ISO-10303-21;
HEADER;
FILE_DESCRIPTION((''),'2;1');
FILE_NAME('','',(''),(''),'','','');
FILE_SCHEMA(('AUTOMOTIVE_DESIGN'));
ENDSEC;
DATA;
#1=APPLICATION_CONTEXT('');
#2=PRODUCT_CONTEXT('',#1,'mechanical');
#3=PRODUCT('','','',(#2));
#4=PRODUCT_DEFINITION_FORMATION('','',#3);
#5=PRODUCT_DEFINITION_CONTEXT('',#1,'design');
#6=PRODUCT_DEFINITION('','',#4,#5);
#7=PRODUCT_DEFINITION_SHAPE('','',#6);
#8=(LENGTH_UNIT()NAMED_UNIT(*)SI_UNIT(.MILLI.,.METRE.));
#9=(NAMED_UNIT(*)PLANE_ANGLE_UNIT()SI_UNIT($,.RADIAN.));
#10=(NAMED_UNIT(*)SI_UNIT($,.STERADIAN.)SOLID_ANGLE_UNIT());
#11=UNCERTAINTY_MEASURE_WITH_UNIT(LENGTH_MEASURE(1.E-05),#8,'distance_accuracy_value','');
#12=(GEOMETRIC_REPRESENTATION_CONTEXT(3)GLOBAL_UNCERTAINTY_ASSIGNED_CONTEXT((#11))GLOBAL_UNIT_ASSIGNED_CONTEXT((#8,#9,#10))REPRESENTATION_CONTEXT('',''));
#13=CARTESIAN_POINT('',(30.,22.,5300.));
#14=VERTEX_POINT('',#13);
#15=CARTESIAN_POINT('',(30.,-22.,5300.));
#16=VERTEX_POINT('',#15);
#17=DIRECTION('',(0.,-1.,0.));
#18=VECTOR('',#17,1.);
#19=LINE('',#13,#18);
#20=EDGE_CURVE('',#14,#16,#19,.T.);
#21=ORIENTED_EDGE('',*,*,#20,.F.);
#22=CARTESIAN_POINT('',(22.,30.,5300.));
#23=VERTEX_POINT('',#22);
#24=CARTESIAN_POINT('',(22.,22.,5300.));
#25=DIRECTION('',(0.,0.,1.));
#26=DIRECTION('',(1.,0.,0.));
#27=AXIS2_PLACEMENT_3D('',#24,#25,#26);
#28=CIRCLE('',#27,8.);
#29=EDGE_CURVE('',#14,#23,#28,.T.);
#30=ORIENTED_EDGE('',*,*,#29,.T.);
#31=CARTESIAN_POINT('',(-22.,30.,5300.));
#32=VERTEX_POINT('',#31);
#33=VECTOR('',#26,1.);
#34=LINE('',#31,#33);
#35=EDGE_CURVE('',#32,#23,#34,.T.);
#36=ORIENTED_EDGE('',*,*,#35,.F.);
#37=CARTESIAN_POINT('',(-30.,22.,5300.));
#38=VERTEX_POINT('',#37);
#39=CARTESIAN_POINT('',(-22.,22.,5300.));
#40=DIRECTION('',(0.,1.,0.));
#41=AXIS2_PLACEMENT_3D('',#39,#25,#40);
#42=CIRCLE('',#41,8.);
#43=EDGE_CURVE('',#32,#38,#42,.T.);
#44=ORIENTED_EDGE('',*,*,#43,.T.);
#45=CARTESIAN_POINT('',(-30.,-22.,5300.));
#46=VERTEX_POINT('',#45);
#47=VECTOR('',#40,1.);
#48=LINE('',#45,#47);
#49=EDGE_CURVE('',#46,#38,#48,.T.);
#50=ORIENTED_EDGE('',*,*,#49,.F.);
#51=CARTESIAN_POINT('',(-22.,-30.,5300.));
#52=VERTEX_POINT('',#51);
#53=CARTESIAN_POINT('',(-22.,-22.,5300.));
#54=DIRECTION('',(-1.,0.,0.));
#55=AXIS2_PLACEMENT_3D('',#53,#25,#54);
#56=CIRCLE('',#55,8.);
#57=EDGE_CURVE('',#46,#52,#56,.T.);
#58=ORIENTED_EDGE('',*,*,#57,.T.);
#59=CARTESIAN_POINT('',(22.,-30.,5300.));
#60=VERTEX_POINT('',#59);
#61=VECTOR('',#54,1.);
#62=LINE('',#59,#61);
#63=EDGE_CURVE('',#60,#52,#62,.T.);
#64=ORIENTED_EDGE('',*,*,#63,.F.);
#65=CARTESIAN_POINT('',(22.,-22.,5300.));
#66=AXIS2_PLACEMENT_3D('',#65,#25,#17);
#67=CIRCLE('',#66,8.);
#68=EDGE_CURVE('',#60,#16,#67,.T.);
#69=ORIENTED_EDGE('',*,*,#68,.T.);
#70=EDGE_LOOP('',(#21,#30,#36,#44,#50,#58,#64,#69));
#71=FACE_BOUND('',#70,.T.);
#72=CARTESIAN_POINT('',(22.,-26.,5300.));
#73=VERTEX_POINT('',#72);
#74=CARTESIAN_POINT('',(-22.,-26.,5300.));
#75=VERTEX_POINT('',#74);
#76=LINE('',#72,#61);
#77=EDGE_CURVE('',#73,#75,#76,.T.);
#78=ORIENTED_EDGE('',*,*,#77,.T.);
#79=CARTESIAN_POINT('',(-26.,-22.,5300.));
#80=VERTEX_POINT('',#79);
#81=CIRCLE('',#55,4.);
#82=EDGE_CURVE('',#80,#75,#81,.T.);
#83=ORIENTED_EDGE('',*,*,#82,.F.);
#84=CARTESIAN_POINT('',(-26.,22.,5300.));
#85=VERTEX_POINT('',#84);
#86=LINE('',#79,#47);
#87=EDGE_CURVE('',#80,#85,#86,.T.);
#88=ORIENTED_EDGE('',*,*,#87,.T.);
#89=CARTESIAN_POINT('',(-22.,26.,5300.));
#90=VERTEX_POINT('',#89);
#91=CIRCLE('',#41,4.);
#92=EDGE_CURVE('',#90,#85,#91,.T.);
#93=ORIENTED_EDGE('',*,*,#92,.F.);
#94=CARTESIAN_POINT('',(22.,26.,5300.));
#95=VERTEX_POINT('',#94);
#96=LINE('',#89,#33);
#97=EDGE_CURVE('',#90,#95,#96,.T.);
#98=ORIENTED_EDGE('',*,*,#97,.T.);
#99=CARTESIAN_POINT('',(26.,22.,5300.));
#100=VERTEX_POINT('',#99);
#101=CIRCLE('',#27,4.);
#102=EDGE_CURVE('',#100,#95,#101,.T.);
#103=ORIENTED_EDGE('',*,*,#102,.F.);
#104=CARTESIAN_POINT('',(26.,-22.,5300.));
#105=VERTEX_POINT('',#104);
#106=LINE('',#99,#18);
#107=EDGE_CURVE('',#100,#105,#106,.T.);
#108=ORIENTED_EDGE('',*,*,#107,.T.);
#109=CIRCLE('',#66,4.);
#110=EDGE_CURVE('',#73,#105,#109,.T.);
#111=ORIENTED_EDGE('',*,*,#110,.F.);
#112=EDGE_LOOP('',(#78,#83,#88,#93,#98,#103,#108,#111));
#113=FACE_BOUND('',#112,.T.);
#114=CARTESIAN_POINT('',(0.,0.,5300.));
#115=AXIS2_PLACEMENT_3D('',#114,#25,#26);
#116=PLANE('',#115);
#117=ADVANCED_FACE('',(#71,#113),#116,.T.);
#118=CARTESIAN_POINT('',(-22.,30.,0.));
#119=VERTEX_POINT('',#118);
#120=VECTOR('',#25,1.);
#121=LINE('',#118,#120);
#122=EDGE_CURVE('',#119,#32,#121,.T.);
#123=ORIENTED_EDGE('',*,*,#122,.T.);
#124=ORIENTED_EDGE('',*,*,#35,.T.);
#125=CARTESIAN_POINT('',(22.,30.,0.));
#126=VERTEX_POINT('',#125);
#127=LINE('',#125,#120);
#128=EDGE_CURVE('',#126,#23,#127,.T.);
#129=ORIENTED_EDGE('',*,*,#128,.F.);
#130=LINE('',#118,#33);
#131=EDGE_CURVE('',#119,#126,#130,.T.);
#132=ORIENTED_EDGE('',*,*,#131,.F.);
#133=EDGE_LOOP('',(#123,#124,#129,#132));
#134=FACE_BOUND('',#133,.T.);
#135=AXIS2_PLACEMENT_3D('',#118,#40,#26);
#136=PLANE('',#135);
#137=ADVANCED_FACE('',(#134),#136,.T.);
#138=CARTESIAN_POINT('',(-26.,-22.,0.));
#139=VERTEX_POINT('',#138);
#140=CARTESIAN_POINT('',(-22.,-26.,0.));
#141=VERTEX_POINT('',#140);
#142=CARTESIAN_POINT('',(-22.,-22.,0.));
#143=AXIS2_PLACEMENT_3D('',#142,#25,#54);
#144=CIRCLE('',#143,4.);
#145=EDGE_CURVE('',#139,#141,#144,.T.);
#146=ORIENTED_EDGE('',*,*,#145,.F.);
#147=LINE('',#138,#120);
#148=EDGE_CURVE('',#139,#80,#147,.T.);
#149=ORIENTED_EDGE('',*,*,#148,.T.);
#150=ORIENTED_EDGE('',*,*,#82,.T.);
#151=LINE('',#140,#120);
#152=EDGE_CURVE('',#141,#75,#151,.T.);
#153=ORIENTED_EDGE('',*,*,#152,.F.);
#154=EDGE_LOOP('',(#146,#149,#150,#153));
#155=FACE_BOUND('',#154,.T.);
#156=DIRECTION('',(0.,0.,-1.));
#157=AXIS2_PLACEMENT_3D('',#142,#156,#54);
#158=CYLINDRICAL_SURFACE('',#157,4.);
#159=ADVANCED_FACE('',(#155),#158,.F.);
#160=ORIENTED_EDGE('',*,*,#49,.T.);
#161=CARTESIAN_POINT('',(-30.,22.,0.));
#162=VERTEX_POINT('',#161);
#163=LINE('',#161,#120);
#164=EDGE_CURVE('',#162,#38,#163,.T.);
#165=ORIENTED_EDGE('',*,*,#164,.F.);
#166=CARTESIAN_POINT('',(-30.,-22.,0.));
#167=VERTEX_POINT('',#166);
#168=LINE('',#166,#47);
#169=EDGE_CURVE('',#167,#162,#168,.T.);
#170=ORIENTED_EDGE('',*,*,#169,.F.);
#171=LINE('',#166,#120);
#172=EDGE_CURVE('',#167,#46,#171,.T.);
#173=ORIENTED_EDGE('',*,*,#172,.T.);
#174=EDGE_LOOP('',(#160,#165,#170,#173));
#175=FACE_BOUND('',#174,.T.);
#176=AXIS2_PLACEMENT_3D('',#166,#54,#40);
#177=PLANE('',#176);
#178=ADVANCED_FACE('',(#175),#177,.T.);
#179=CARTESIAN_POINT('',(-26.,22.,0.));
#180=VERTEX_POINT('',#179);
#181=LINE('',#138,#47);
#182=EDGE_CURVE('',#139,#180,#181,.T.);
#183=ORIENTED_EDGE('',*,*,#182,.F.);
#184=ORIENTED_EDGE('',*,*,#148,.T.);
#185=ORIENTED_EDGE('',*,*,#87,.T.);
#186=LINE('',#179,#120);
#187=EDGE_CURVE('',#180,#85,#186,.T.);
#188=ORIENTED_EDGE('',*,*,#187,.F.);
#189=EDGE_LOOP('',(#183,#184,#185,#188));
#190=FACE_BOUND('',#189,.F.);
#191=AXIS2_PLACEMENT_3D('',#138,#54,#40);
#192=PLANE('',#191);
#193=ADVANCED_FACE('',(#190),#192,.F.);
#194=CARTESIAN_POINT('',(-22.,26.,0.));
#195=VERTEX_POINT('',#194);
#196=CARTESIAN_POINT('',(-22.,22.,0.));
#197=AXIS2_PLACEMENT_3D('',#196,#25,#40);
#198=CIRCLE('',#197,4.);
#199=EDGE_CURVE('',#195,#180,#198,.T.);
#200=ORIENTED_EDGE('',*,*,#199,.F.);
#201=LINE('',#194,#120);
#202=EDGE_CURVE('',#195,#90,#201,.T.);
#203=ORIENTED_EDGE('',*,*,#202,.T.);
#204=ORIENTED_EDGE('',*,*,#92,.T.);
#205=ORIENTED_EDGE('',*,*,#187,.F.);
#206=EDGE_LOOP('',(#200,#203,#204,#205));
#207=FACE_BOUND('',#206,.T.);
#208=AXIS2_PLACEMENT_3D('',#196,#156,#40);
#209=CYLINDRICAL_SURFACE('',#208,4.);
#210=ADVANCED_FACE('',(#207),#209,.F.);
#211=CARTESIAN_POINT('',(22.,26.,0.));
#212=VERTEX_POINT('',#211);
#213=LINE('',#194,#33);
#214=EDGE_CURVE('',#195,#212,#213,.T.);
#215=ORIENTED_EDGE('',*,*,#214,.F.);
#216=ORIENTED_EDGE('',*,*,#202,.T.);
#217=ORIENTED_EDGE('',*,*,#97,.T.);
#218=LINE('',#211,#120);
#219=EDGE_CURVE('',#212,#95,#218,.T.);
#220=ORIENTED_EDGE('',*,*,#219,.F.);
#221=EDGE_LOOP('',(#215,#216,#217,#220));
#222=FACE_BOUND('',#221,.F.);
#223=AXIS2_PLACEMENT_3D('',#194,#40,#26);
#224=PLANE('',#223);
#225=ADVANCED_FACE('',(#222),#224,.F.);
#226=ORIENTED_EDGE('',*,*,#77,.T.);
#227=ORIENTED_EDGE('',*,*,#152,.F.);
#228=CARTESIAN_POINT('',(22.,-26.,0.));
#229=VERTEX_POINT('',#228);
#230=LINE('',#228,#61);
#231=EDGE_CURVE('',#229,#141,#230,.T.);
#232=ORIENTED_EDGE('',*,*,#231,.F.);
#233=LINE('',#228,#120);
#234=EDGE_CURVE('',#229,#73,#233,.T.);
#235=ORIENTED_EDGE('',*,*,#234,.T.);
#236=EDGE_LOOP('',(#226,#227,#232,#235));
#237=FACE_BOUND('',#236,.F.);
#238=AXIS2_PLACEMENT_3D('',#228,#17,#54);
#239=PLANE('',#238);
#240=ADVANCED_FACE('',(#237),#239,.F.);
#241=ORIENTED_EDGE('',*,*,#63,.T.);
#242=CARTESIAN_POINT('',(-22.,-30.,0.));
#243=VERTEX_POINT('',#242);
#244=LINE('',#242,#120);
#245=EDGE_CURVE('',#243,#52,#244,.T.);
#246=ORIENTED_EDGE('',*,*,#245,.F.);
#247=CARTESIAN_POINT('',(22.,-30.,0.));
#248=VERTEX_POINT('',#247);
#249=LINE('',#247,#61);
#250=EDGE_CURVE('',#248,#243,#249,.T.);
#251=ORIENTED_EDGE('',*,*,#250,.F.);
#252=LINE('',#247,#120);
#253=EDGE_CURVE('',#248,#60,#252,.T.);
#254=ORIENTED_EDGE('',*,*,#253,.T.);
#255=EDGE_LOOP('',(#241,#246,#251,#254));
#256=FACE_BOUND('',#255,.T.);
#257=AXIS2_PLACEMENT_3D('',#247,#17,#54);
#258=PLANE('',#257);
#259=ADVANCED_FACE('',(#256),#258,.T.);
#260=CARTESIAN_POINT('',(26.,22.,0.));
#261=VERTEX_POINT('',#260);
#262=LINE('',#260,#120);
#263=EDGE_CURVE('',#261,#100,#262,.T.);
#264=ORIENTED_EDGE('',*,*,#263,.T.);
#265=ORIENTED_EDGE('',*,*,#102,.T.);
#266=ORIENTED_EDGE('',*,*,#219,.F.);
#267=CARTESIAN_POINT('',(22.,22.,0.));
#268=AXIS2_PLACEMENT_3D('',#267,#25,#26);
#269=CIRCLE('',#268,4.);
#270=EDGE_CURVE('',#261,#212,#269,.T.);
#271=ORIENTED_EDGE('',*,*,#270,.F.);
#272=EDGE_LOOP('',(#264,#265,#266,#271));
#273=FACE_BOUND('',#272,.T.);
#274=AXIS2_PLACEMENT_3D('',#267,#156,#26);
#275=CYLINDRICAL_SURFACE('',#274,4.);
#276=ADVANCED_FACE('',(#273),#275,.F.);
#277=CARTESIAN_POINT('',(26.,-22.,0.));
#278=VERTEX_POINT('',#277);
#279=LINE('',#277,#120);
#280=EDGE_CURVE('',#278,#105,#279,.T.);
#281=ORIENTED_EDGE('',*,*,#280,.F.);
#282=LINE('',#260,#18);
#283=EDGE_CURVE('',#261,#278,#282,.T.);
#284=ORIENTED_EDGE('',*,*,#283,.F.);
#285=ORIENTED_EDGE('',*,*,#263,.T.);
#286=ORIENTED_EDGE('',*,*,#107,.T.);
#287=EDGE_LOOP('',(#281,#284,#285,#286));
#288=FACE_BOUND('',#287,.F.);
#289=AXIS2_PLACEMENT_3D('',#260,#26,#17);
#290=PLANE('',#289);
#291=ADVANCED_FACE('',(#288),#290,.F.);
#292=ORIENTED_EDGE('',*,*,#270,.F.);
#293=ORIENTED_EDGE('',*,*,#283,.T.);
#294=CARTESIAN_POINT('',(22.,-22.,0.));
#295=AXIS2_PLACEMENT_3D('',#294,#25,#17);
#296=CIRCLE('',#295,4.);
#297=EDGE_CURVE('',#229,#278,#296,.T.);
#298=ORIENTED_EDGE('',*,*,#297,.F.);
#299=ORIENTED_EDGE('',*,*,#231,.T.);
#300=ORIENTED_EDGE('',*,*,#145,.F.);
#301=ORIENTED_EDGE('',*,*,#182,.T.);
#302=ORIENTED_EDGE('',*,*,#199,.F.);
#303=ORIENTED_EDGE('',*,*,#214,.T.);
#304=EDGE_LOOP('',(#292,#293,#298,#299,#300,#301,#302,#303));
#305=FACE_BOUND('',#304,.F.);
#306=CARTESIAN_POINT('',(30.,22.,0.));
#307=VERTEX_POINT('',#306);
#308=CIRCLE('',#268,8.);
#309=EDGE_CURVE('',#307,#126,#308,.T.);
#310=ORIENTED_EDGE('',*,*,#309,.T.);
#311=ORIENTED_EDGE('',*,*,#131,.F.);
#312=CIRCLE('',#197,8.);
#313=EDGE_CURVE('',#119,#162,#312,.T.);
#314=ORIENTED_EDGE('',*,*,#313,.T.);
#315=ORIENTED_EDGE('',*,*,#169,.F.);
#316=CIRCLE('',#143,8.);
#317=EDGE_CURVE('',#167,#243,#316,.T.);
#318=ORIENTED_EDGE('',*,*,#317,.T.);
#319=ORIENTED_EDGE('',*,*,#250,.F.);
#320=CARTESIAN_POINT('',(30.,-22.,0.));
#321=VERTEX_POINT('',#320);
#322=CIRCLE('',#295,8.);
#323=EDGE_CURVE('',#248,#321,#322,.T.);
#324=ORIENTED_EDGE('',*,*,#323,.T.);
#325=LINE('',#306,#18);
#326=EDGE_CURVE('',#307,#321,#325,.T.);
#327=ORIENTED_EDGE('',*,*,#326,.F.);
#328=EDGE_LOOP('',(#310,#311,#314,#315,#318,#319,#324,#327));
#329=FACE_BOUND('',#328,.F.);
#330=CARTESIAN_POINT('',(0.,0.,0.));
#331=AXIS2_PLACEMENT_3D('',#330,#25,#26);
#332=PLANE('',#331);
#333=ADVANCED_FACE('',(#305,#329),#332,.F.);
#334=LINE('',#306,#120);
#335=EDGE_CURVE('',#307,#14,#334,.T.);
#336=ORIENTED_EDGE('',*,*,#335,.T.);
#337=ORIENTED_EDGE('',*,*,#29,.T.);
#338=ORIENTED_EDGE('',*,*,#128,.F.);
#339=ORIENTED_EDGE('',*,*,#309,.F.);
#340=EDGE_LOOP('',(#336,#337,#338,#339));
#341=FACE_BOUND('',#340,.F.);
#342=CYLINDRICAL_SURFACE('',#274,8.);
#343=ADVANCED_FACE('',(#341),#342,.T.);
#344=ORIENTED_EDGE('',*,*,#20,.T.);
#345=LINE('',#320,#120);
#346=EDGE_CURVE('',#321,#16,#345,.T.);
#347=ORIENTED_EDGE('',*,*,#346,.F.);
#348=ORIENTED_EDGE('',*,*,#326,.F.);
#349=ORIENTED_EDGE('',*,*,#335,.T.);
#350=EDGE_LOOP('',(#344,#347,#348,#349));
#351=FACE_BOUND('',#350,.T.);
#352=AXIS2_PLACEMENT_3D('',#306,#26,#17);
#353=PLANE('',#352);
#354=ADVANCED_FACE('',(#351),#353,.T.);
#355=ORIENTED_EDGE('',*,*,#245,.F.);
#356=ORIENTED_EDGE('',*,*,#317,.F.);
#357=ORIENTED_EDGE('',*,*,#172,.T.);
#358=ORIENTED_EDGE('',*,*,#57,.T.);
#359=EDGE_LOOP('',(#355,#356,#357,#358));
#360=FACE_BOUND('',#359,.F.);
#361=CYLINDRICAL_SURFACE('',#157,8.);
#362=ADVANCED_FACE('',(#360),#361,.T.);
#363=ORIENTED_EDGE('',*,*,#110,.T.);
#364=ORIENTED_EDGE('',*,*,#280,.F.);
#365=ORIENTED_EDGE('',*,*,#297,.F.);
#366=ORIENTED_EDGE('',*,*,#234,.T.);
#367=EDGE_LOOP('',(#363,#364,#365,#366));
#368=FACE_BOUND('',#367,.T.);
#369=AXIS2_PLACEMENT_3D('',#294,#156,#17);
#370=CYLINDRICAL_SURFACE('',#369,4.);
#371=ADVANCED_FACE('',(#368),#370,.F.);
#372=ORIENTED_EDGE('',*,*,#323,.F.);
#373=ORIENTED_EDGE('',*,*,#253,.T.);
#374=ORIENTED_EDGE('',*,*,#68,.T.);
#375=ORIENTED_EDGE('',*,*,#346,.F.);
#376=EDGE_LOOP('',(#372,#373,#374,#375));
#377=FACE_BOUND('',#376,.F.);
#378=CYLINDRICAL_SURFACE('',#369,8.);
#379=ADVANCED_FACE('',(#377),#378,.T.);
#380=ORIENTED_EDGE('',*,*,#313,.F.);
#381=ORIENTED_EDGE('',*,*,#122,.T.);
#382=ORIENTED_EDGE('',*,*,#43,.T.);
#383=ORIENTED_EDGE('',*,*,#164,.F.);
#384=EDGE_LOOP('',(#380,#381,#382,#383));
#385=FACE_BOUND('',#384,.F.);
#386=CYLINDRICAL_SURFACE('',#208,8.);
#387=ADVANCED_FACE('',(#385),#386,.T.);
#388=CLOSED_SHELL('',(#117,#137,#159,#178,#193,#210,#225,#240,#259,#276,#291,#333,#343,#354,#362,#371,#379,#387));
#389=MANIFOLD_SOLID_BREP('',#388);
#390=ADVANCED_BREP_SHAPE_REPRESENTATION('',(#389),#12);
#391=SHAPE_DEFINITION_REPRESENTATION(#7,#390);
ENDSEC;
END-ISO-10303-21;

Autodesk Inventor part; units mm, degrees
ref_plane "YZ Plane" through (0, 0, 0) normal (1, 0, 0) x (0, 1, 0)
ref_plane "Start Plane" through (0, 0, 0) normal (0, 0, 1) x (1, 0, 0)
ref_plane "End Plane" through (0, 0, 5300) normal (0, 0, 1) x (1, 0, 0)
sketch "Sketch" plane through (0, 0, 0) normal (0, 0, 1) x (1, 0, 0)
  line L0 (-30, -22) -> (-30, 22)
  line L1 (-22, 30) -> (22, 30)
  line L2 (30, 22) -> (30, -22)
  line L3 (22, -30) -> (-22, -30)
  arc A0 (-30, -22) -> (-22, -30) centre (-22, -22) ccw
  arc A1 (30, 22) -> (22, 30) centre (22, 22) ccw
  arc A2 (-22, 30) -> (-30, 22) centre (-22, 22) ccw
  arc A3 (22, -30) -> (30, -22) centre (22, -22) ccw
  arc A4 (-22, 26) -> (-26, 22) centre (-22, 22) ccw
  line L4 (-22, 26) -> (22, 26)
  arc A5 (26, 22) -> (22, 26) centre (22, 22) ccw
  line L5 (26, 22) -> (26, -22)
  arc A6 (22, -26) -> (26, -22) centre (22, -22) ccw
  line L6 (22, -26) -> (-22, -26)
  arc A7 (-26, -22) -> (-22, -26) centre (-22, -22) ccw
  line L7 (-26, -22) -> (-26, 22)
  line L8 (0, 44.3196) -> (0, -44.3196) construction
  line L9 (-44.3196, 0) -> (44.3196, 0) construction
  dimension "d7" = 8
  dimension "d9" = 60
  dimension "d11" = 60
  dimension "d12" = 4
  dimension "d15" = 30
  dimension "d16" = 30
extrude "Body" add sketch "Sketch" along normal up to surface (5300 mm away) from surface at 0
sketch "Sketch3" plane through (0, 0, 0) normal (0, 0, 1) x (1, 0, 0)
  line L0 (0, 0) -> (10, 0)
ref_plane "Work Plane3" through (0, 0, 0) normal (0, -1, 0) x (1, 0, 0)
sketch "Sketch4" plane through (0, 0, 0) normal (0, -1, 0) x (1, 0, 0)
  line L0 (-2, 0) -> (12, 0) projected
  line L1 (-2, 5300) -> (12, 5300) projected
  dimension "d18" = 5300
equation "\"d7\" = G_IR"
equation "\"d9\" = G_W"
equation "\"d11\" = G_H"
equation "\"d12\" = G_T"
equation "\"d15\" = 0.5 * d9"
equation "\"d16\" = 0.5 * d11"
equation "\"d3\" = G_L"
equation "\"G_W\" = 60"
equation "\"G_H\" = 60"
equation "\"G_T\" = 4"
equation "\"G_IR\" = 8"
equation "\"G_L\" = d18"
equation "\"G_OFFSET_START\" = 0"
equation "\"G_OFFSET_END\" = 0"
properties part number "ISO 10799-2 - 60x60x4 - 5300" material "Steel, Mild"
